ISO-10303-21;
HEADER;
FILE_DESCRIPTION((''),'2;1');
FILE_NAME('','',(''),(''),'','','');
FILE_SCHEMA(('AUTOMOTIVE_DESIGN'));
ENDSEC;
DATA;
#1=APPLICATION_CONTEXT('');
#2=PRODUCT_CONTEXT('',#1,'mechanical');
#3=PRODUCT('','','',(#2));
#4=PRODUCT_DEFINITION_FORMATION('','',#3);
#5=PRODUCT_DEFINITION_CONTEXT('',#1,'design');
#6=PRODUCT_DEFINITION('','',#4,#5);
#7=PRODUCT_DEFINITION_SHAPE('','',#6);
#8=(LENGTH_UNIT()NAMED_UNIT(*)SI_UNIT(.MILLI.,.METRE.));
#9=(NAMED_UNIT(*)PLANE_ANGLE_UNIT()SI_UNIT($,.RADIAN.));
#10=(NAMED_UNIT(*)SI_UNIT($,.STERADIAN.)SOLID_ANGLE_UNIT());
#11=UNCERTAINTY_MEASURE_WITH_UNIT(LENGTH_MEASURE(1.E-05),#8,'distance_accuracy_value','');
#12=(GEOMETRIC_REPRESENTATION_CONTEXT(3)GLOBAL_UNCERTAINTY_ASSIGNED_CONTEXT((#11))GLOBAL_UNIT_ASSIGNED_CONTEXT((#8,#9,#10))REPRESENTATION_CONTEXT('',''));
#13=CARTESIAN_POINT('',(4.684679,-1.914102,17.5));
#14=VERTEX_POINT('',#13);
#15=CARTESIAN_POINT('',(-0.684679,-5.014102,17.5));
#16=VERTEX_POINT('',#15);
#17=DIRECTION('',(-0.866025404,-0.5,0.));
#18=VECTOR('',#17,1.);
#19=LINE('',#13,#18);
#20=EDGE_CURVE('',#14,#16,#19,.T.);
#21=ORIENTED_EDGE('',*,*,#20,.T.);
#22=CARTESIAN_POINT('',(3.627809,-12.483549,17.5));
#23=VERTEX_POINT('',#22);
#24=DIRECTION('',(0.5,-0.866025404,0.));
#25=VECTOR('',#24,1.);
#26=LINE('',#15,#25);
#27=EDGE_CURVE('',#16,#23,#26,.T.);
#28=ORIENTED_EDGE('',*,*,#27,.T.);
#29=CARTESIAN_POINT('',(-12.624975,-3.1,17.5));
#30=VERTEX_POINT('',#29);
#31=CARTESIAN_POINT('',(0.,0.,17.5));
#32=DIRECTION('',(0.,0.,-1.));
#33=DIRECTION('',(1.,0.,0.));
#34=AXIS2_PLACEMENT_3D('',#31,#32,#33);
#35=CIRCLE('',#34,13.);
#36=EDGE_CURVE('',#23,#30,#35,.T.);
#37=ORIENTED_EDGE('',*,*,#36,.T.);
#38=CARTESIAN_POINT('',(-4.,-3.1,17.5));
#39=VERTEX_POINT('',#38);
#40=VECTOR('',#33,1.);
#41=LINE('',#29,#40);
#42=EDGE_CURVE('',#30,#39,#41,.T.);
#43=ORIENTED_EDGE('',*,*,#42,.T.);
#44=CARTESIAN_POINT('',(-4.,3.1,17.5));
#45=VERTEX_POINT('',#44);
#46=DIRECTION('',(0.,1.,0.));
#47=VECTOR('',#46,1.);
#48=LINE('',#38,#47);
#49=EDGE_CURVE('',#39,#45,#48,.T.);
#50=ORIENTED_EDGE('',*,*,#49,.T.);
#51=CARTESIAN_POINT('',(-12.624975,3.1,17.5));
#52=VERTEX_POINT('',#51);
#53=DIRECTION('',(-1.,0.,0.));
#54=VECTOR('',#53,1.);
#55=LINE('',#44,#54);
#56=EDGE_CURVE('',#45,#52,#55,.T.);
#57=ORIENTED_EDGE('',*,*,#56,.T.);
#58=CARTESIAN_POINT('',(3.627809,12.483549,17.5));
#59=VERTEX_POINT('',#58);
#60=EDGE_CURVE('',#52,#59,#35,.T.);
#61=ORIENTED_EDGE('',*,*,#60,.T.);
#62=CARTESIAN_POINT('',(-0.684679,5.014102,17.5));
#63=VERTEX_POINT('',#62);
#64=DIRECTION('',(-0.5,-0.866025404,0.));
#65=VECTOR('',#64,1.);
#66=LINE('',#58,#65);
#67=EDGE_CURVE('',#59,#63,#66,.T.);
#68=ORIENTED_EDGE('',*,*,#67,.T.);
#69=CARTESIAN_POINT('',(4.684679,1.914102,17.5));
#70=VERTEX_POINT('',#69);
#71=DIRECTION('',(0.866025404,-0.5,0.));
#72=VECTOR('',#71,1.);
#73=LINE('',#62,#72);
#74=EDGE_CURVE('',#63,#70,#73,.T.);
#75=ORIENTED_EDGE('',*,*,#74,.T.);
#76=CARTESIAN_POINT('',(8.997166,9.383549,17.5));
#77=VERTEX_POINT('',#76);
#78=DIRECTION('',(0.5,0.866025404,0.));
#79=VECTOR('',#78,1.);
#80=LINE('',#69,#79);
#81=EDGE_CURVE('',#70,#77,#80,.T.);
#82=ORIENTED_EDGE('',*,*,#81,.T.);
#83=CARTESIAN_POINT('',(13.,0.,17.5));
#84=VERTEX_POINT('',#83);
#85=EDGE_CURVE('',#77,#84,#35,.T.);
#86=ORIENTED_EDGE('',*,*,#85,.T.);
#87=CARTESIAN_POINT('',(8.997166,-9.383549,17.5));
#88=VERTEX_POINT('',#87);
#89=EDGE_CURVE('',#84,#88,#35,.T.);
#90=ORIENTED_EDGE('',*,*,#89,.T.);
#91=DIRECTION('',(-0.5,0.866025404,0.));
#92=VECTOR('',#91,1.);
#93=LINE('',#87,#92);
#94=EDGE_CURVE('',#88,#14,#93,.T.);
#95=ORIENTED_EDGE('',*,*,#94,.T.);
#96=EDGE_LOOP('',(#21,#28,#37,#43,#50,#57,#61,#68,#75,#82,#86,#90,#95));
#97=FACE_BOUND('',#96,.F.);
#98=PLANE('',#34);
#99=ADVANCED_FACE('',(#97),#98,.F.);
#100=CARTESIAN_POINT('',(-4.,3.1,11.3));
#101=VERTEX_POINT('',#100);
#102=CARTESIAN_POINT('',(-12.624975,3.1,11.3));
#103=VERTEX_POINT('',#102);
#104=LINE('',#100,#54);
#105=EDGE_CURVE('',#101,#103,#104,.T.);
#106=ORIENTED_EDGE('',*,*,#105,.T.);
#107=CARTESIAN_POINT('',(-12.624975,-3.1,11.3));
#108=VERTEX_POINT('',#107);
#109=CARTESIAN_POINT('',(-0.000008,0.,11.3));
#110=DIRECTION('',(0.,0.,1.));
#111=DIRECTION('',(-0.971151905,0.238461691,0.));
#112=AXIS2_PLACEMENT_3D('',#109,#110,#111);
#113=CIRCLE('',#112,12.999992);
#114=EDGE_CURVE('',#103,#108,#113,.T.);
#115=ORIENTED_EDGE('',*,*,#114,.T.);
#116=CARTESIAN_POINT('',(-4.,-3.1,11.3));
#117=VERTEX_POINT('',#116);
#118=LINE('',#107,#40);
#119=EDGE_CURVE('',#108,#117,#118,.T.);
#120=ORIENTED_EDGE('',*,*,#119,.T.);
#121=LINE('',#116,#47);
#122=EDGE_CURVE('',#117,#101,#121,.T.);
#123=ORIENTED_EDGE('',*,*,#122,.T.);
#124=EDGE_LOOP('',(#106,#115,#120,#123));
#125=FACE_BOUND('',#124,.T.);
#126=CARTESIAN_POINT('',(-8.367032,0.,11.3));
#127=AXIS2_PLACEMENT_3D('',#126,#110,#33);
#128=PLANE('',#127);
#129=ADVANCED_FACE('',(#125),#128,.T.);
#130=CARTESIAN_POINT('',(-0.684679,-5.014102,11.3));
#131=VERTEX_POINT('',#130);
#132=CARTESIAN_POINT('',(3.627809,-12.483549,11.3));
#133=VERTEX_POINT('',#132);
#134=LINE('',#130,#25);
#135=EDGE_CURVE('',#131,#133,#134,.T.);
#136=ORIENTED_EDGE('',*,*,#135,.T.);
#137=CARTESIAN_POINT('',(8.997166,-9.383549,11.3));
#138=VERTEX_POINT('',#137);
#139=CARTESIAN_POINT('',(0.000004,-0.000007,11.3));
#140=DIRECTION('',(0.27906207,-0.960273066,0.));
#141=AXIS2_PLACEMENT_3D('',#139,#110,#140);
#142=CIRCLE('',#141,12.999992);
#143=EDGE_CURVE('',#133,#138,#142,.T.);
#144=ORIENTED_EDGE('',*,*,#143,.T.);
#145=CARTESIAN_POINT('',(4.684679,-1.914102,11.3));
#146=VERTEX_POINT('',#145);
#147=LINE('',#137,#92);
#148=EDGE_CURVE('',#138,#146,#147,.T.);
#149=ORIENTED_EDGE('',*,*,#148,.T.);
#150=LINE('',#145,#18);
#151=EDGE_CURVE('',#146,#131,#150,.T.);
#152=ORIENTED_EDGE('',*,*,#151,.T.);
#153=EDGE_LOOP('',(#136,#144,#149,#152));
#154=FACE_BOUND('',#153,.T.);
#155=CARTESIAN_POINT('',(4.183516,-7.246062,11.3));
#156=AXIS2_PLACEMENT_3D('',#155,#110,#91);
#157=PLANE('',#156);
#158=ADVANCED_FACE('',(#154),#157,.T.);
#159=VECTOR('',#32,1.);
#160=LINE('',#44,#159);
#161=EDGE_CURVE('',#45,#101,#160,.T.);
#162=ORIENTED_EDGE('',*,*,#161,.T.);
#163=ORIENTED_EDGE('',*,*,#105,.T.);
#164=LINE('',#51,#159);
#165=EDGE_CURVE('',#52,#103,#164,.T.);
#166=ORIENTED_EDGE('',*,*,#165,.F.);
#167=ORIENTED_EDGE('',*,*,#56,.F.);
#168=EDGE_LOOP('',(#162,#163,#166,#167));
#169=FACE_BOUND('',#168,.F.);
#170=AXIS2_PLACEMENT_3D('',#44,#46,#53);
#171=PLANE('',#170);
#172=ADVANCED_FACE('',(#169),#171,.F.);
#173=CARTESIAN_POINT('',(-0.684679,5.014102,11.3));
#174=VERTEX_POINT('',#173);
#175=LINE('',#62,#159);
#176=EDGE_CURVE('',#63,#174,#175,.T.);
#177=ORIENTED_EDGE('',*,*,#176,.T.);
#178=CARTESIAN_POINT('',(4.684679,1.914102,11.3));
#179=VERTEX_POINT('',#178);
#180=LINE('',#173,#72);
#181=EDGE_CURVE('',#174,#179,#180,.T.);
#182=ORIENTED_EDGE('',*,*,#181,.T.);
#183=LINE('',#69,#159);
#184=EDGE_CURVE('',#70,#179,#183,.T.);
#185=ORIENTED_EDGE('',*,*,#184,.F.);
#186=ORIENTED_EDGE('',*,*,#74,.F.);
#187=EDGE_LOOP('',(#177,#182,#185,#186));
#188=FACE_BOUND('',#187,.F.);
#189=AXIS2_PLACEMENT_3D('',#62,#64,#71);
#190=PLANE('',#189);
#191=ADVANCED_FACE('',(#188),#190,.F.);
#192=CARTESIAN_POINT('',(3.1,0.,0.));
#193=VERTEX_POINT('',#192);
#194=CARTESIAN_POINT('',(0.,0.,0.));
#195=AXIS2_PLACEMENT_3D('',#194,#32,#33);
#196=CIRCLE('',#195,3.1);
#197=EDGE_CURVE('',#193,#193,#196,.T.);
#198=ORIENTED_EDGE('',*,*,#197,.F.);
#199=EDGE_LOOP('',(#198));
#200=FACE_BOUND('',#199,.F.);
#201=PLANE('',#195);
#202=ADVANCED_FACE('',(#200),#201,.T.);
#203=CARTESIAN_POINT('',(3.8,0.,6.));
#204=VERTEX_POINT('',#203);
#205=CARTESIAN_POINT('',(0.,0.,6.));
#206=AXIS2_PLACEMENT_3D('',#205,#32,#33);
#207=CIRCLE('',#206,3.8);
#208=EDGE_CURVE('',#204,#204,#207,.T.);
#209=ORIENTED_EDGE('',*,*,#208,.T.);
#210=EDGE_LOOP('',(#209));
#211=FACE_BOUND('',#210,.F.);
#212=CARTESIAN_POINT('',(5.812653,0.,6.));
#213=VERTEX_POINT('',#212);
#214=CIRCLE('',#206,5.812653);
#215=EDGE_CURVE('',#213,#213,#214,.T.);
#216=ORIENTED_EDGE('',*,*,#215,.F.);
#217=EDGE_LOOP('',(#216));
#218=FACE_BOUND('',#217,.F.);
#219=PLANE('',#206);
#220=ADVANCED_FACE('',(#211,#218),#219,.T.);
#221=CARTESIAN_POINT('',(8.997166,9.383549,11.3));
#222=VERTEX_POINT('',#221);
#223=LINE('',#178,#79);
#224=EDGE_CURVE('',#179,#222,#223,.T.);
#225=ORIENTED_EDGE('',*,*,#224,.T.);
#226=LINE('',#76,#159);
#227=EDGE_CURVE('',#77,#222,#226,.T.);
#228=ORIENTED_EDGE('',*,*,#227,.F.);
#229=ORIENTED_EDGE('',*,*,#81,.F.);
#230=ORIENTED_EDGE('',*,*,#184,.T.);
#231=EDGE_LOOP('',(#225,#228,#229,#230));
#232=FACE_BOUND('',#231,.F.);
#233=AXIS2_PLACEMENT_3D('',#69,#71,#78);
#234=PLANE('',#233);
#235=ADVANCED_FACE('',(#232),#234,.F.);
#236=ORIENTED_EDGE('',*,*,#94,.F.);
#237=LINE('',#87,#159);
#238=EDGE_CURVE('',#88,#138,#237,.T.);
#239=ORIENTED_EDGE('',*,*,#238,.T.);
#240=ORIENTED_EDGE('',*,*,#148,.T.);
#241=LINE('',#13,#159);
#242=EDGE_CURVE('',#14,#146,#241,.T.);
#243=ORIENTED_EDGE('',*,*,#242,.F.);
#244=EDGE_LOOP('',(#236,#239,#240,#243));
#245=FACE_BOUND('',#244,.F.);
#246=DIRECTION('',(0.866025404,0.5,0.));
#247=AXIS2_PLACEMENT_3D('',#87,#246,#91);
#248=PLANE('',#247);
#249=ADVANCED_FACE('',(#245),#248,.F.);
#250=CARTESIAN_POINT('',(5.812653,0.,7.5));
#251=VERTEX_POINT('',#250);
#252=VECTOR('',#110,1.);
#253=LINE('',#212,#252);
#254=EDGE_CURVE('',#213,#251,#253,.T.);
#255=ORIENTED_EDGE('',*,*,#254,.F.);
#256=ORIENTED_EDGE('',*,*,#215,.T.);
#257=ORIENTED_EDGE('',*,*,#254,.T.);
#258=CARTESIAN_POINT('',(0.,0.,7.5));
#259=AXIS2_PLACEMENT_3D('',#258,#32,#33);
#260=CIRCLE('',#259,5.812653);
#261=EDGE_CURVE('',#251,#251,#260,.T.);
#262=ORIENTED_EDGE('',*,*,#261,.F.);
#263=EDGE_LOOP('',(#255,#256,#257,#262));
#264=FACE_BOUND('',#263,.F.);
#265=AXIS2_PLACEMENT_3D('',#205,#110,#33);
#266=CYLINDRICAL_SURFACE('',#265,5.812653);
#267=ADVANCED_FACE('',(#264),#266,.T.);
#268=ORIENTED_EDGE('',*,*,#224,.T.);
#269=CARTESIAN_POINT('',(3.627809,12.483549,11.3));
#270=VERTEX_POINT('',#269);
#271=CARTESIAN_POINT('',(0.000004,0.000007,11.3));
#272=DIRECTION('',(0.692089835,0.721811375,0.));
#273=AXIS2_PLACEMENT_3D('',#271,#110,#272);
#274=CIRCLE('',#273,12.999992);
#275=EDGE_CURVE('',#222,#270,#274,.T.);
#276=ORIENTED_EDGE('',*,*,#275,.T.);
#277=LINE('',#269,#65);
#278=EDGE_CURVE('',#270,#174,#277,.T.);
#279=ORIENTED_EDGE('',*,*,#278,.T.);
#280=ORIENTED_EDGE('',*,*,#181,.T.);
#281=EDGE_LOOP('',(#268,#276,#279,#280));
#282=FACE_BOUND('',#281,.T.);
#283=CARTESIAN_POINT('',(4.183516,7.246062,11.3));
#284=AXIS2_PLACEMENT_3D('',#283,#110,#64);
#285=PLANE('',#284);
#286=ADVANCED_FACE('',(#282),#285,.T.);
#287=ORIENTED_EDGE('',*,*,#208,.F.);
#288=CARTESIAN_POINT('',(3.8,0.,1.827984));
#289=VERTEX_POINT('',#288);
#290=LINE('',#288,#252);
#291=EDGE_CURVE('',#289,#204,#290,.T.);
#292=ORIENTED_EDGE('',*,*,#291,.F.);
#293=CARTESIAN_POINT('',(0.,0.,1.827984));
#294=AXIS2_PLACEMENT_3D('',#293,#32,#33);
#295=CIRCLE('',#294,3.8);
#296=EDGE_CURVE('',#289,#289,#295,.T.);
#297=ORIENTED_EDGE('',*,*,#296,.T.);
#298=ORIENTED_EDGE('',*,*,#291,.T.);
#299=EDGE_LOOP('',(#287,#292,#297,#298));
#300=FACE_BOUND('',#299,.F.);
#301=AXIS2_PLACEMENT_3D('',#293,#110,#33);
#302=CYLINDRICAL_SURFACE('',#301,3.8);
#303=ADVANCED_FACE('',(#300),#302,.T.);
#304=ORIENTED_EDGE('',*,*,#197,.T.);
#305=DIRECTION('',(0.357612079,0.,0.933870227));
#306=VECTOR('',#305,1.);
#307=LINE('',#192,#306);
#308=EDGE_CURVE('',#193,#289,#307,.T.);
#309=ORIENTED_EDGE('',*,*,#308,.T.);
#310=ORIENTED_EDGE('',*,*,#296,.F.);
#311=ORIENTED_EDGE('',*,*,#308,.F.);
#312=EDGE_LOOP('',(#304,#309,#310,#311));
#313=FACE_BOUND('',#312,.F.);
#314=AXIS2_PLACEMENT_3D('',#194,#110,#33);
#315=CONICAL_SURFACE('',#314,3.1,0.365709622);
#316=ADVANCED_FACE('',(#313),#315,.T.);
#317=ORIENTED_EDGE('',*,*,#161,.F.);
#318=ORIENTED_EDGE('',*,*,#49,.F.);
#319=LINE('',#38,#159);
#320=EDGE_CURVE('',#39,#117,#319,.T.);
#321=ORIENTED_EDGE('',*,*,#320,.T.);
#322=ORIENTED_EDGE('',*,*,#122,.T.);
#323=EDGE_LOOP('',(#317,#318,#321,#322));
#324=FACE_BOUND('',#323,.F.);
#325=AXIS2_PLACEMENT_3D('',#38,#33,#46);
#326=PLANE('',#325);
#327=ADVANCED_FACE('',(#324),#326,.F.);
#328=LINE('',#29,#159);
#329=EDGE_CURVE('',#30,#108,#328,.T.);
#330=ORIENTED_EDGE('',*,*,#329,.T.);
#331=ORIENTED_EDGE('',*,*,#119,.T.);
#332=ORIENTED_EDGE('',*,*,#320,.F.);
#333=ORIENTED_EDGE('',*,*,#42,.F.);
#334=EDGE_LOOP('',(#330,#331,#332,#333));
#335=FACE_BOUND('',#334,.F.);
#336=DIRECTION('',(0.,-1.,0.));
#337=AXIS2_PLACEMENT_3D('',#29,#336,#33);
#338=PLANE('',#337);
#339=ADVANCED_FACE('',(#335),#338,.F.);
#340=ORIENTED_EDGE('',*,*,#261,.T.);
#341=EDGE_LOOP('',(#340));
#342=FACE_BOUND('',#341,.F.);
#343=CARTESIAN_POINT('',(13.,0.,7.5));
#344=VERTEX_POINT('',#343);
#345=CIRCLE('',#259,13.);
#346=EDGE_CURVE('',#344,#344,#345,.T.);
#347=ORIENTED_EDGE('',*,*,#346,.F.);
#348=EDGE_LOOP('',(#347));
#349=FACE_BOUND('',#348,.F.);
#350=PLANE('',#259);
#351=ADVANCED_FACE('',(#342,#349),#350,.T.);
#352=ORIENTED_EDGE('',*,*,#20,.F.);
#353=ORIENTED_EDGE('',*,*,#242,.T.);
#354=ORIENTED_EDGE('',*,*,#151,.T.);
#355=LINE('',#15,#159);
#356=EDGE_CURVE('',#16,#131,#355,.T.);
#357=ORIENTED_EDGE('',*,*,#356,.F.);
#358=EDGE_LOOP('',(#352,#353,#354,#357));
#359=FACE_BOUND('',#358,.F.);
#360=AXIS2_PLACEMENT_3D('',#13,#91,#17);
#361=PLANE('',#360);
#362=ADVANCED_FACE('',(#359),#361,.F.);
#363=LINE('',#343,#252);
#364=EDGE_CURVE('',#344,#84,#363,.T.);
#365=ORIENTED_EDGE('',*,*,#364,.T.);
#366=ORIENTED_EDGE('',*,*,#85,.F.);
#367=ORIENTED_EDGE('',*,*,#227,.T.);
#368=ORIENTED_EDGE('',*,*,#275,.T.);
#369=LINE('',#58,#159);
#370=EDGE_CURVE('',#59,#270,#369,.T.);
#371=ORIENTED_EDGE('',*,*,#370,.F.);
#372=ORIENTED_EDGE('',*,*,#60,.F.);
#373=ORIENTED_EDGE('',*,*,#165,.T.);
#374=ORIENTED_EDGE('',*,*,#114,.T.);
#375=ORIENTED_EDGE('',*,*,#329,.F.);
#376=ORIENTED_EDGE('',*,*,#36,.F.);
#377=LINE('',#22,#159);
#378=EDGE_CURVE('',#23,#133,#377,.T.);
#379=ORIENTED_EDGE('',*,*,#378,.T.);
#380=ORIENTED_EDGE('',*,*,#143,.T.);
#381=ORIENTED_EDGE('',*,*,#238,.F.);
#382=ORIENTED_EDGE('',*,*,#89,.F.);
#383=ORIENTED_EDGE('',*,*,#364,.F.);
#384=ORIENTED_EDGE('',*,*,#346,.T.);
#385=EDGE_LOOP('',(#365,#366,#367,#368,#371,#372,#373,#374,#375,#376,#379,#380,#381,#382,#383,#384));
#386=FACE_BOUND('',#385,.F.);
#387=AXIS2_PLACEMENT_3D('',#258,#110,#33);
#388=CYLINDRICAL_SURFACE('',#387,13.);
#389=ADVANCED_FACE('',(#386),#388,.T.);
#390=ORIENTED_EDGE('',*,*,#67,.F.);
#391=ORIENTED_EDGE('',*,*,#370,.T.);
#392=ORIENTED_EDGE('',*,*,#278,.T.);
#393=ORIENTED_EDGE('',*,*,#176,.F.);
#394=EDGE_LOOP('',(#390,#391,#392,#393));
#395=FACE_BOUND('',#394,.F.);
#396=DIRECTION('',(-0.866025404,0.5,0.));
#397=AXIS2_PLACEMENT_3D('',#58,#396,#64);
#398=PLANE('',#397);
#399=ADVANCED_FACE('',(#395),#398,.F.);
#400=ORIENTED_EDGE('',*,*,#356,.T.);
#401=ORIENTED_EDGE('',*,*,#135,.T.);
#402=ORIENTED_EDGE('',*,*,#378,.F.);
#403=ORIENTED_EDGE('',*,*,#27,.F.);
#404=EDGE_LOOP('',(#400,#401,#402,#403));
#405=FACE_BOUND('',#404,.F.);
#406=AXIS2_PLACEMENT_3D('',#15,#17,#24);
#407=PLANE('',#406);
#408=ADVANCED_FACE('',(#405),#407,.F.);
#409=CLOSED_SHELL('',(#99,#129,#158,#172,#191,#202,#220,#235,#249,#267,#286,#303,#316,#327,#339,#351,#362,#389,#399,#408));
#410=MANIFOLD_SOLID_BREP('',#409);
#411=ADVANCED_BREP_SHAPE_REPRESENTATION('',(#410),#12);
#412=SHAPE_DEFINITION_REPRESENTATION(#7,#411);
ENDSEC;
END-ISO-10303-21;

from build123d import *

# Parameters (mm, degrees)
F3_DEPTH = 6.2
F4_COUNT = 3


with BuildPart() as f1:
    # F0 (on Front) → F1 (revolve)
    with BuildSketch(Plane.XZ):
        Polygon((0, 17.5), (0, 0), (3.1, 0), (3.8, 1.827984), (3.8, 6), (5.812653, 6), (5.812653, 7.5), (13, 7.5), (13, 17.5), align=None)
    revolve(axis=Axis((0, 0, 8.75), (0, 0, -1)))


with BuildPart() as f3:
    # F2 (on face) → F3 (new body)
    with BuildSketch(Plane.XY.offset(17.5)):
        with BuildLine():
            Line((-4, -3.1), (-4, 3.1))
            Line((-4, 3.1), (-12.624975, 3.1))
            ThreePointArc((-12.624975, 3.1), (-13, 0), (-12.624975, -3.1))
            Line((-12.624975, -3.1), (-4, -3.1))
        make_face()
    extrude(amount=-F3_DEPTH)


with BuildPart() as f4_1:
    # F4: instance of F3
    add(f3.part.rotate(Axis((0, 0, 17.5), (0, 0, -1)), 1 * 360 / F4_COUNT))


with BuildPart() as f4_2:
    # F4: instance of F3
    add(f3.part.rotate(Axis((0, 0, 17.5), (0, 0, -1)), 2 * 360 / F4_COUNT))


with BuildPart() as f1_1:
    add(f1.part)

    # F5: cut F3, F4_1, F4_2
    add(f3.part, mode=Mode.SUBTRACT)
    add(f4_1.part, mode=Mode.SUBTRACT)
    add(f4_2.part, mode=Mode.SUBTRACT)


solid = f1_1.part
